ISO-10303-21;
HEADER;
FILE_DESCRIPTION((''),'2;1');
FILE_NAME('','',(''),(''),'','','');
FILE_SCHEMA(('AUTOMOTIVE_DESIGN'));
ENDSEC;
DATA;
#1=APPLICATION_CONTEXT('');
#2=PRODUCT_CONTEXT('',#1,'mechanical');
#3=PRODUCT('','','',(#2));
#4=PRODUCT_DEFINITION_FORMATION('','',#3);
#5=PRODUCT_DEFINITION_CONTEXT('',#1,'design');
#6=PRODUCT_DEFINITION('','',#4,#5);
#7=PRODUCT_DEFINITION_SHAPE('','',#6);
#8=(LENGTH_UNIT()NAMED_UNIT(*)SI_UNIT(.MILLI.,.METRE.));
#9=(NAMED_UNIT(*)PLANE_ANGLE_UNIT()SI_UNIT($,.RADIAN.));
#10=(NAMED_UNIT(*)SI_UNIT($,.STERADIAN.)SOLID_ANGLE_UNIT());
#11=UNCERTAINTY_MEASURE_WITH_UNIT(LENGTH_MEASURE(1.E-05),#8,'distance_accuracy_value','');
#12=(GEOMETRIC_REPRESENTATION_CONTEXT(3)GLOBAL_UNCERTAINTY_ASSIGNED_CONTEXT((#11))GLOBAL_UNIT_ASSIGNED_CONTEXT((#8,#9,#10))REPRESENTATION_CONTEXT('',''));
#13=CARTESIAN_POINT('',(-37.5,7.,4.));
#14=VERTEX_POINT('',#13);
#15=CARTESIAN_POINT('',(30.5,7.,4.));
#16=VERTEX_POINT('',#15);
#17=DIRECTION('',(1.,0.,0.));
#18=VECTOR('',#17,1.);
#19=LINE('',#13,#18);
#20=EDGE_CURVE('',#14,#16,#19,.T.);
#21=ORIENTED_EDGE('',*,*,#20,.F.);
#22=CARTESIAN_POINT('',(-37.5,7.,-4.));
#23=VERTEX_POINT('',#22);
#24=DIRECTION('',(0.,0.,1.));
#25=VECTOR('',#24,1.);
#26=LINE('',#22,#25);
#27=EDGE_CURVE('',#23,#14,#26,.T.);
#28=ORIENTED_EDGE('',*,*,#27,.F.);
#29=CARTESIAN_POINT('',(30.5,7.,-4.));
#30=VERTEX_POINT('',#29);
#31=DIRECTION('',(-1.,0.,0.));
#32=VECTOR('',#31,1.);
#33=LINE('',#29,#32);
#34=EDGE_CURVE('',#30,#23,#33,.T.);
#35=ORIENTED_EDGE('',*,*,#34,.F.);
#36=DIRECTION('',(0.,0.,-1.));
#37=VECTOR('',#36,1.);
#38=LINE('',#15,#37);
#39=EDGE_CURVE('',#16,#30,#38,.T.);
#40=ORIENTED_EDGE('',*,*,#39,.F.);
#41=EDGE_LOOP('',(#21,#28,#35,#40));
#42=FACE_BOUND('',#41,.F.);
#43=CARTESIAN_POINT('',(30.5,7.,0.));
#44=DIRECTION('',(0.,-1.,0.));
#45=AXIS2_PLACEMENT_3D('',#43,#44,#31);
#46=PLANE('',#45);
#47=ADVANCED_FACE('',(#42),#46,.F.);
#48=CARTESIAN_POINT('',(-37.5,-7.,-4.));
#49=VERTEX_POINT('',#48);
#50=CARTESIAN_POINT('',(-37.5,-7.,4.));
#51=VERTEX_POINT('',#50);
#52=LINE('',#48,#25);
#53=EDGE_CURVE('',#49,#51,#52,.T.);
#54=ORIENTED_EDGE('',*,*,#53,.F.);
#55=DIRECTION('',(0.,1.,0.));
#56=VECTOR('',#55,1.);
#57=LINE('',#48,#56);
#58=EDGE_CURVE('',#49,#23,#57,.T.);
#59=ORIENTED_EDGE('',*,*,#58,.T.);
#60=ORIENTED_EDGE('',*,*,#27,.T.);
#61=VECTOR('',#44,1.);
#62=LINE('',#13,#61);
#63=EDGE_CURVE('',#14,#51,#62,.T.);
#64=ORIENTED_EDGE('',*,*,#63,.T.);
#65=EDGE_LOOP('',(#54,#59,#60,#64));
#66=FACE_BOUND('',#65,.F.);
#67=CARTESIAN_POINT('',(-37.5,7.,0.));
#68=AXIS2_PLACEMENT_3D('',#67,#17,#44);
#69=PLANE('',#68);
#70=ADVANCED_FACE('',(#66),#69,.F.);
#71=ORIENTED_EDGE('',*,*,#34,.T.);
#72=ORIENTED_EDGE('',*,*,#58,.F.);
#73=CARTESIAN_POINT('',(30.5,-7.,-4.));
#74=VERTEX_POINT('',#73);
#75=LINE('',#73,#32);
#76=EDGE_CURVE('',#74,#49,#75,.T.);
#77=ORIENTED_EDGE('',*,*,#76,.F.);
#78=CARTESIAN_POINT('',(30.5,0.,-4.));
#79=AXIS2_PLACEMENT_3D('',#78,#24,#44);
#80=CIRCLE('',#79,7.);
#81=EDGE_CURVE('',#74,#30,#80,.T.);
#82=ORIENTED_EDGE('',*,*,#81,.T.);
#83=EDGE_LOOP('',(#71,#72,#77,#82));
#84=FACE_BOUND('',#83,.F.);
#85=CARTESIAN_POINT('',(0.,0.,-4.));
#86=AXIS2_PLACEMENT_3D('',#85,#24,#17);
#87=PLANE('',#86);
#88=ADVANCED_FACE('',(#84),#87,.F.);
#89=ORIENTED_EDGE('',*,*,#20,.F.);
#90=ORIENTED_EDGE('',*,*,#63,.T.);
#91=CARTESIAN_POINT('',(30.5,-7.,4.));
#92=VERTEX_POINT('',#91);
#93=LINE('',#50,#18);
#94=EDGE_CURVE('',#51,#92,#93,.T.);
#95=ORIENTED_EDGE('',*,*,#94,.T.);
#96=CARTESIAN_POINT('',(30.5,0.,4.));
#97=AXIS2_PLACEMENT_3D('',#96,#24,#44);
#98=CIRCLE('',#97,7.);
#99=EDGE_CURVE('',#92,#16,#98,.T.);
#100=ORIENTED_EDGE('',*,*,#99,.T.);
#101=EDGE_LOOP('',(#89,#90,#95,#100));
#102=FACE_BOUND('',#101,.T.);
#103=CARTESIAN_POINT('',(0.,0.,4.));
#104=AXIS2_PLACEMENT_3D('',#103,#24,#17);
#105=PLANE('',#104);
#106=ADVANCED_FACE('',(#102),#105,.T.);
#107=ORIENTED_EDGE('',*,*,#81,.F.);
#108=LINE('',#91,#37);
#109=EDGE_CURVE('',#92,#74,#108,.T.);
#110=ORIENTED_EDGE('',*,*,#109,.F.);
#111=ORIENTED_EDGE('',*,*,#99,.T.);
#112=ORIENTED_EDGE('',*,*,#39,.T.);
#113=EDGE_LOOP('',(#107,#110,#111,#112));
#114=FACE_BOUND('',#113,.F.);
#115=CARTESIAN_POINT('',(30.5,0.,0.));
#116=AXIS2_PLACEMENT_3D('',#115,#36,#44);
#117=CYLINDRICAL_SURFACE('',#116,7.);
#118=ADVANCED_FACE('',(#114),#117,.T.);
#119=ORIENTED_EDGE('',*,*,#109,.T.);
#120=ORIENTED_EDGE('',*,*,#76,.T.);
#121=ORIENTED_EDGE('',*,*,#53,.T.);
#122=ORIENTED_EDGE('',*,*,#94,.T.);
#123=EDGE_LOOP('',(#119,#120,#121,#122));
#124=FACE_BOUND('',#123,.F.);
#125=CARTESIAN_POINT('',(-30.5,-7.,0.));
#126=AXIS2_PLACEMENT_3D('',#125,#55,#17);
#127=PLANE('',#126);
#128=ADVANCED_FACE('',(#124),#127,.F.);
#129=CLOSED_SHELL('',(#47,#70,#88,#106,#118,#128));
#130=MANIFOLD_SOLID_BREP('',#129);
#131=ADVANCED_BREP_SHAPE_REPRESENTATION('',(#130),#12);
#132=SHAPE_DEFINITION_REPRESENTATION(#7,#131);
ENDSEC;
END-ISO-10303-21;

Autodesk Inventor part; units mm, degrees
ref_plane "YZ Plane" through (0, 0, 0) normal (1, 0, 0) x (0, 1, 0)
ref_plane "XZ Plane" through (0, 0, 0) normal (0, 1, 0) x (-1, 0, 0)
ref_plane "XY Plane" through (0, 0, 0) normal (0, 0, 1) x (1, 0, 0)
sketch "스케치9" plane through (0, 0, 0) normal (0, 0, 1) x (1, 0, 0)
  line L0 (-30.5, 0) -> (30.5, 0) construction
  line L1 (-30.5, -7) -> (30.5, -7)
  line L2 (30.5, 7) -> (-30.5, 7)
  arc A0 (-30.5, 7) -> (-30.5, -7) centre (-30.5, 0) ccw
  arc A1 (30.5, -7) -> (30.5, 7) centre (30.5, 0) ccw
  line L3 (-30.5, 7) -> (-37.5, 7)
  line L4 (-37.5, 7) -> (-37.5, -7)
  line L5 (-37.5, -7) -> (-30.5, -7)
  line L6 (-30.5, -7) -> (-30.5, 7)
  point P0 (0, 0)
  point P1 (37.5, 0)
  point P2 (-37.5, 0)
  point P3 (-30.5, -7)
  dimension "d40" = 14
  dimension "d41" = 75
extrude "돌출4" add sketch "스케치9" along normal mid plane 8
properties part number "KEY" material "SCM435"
